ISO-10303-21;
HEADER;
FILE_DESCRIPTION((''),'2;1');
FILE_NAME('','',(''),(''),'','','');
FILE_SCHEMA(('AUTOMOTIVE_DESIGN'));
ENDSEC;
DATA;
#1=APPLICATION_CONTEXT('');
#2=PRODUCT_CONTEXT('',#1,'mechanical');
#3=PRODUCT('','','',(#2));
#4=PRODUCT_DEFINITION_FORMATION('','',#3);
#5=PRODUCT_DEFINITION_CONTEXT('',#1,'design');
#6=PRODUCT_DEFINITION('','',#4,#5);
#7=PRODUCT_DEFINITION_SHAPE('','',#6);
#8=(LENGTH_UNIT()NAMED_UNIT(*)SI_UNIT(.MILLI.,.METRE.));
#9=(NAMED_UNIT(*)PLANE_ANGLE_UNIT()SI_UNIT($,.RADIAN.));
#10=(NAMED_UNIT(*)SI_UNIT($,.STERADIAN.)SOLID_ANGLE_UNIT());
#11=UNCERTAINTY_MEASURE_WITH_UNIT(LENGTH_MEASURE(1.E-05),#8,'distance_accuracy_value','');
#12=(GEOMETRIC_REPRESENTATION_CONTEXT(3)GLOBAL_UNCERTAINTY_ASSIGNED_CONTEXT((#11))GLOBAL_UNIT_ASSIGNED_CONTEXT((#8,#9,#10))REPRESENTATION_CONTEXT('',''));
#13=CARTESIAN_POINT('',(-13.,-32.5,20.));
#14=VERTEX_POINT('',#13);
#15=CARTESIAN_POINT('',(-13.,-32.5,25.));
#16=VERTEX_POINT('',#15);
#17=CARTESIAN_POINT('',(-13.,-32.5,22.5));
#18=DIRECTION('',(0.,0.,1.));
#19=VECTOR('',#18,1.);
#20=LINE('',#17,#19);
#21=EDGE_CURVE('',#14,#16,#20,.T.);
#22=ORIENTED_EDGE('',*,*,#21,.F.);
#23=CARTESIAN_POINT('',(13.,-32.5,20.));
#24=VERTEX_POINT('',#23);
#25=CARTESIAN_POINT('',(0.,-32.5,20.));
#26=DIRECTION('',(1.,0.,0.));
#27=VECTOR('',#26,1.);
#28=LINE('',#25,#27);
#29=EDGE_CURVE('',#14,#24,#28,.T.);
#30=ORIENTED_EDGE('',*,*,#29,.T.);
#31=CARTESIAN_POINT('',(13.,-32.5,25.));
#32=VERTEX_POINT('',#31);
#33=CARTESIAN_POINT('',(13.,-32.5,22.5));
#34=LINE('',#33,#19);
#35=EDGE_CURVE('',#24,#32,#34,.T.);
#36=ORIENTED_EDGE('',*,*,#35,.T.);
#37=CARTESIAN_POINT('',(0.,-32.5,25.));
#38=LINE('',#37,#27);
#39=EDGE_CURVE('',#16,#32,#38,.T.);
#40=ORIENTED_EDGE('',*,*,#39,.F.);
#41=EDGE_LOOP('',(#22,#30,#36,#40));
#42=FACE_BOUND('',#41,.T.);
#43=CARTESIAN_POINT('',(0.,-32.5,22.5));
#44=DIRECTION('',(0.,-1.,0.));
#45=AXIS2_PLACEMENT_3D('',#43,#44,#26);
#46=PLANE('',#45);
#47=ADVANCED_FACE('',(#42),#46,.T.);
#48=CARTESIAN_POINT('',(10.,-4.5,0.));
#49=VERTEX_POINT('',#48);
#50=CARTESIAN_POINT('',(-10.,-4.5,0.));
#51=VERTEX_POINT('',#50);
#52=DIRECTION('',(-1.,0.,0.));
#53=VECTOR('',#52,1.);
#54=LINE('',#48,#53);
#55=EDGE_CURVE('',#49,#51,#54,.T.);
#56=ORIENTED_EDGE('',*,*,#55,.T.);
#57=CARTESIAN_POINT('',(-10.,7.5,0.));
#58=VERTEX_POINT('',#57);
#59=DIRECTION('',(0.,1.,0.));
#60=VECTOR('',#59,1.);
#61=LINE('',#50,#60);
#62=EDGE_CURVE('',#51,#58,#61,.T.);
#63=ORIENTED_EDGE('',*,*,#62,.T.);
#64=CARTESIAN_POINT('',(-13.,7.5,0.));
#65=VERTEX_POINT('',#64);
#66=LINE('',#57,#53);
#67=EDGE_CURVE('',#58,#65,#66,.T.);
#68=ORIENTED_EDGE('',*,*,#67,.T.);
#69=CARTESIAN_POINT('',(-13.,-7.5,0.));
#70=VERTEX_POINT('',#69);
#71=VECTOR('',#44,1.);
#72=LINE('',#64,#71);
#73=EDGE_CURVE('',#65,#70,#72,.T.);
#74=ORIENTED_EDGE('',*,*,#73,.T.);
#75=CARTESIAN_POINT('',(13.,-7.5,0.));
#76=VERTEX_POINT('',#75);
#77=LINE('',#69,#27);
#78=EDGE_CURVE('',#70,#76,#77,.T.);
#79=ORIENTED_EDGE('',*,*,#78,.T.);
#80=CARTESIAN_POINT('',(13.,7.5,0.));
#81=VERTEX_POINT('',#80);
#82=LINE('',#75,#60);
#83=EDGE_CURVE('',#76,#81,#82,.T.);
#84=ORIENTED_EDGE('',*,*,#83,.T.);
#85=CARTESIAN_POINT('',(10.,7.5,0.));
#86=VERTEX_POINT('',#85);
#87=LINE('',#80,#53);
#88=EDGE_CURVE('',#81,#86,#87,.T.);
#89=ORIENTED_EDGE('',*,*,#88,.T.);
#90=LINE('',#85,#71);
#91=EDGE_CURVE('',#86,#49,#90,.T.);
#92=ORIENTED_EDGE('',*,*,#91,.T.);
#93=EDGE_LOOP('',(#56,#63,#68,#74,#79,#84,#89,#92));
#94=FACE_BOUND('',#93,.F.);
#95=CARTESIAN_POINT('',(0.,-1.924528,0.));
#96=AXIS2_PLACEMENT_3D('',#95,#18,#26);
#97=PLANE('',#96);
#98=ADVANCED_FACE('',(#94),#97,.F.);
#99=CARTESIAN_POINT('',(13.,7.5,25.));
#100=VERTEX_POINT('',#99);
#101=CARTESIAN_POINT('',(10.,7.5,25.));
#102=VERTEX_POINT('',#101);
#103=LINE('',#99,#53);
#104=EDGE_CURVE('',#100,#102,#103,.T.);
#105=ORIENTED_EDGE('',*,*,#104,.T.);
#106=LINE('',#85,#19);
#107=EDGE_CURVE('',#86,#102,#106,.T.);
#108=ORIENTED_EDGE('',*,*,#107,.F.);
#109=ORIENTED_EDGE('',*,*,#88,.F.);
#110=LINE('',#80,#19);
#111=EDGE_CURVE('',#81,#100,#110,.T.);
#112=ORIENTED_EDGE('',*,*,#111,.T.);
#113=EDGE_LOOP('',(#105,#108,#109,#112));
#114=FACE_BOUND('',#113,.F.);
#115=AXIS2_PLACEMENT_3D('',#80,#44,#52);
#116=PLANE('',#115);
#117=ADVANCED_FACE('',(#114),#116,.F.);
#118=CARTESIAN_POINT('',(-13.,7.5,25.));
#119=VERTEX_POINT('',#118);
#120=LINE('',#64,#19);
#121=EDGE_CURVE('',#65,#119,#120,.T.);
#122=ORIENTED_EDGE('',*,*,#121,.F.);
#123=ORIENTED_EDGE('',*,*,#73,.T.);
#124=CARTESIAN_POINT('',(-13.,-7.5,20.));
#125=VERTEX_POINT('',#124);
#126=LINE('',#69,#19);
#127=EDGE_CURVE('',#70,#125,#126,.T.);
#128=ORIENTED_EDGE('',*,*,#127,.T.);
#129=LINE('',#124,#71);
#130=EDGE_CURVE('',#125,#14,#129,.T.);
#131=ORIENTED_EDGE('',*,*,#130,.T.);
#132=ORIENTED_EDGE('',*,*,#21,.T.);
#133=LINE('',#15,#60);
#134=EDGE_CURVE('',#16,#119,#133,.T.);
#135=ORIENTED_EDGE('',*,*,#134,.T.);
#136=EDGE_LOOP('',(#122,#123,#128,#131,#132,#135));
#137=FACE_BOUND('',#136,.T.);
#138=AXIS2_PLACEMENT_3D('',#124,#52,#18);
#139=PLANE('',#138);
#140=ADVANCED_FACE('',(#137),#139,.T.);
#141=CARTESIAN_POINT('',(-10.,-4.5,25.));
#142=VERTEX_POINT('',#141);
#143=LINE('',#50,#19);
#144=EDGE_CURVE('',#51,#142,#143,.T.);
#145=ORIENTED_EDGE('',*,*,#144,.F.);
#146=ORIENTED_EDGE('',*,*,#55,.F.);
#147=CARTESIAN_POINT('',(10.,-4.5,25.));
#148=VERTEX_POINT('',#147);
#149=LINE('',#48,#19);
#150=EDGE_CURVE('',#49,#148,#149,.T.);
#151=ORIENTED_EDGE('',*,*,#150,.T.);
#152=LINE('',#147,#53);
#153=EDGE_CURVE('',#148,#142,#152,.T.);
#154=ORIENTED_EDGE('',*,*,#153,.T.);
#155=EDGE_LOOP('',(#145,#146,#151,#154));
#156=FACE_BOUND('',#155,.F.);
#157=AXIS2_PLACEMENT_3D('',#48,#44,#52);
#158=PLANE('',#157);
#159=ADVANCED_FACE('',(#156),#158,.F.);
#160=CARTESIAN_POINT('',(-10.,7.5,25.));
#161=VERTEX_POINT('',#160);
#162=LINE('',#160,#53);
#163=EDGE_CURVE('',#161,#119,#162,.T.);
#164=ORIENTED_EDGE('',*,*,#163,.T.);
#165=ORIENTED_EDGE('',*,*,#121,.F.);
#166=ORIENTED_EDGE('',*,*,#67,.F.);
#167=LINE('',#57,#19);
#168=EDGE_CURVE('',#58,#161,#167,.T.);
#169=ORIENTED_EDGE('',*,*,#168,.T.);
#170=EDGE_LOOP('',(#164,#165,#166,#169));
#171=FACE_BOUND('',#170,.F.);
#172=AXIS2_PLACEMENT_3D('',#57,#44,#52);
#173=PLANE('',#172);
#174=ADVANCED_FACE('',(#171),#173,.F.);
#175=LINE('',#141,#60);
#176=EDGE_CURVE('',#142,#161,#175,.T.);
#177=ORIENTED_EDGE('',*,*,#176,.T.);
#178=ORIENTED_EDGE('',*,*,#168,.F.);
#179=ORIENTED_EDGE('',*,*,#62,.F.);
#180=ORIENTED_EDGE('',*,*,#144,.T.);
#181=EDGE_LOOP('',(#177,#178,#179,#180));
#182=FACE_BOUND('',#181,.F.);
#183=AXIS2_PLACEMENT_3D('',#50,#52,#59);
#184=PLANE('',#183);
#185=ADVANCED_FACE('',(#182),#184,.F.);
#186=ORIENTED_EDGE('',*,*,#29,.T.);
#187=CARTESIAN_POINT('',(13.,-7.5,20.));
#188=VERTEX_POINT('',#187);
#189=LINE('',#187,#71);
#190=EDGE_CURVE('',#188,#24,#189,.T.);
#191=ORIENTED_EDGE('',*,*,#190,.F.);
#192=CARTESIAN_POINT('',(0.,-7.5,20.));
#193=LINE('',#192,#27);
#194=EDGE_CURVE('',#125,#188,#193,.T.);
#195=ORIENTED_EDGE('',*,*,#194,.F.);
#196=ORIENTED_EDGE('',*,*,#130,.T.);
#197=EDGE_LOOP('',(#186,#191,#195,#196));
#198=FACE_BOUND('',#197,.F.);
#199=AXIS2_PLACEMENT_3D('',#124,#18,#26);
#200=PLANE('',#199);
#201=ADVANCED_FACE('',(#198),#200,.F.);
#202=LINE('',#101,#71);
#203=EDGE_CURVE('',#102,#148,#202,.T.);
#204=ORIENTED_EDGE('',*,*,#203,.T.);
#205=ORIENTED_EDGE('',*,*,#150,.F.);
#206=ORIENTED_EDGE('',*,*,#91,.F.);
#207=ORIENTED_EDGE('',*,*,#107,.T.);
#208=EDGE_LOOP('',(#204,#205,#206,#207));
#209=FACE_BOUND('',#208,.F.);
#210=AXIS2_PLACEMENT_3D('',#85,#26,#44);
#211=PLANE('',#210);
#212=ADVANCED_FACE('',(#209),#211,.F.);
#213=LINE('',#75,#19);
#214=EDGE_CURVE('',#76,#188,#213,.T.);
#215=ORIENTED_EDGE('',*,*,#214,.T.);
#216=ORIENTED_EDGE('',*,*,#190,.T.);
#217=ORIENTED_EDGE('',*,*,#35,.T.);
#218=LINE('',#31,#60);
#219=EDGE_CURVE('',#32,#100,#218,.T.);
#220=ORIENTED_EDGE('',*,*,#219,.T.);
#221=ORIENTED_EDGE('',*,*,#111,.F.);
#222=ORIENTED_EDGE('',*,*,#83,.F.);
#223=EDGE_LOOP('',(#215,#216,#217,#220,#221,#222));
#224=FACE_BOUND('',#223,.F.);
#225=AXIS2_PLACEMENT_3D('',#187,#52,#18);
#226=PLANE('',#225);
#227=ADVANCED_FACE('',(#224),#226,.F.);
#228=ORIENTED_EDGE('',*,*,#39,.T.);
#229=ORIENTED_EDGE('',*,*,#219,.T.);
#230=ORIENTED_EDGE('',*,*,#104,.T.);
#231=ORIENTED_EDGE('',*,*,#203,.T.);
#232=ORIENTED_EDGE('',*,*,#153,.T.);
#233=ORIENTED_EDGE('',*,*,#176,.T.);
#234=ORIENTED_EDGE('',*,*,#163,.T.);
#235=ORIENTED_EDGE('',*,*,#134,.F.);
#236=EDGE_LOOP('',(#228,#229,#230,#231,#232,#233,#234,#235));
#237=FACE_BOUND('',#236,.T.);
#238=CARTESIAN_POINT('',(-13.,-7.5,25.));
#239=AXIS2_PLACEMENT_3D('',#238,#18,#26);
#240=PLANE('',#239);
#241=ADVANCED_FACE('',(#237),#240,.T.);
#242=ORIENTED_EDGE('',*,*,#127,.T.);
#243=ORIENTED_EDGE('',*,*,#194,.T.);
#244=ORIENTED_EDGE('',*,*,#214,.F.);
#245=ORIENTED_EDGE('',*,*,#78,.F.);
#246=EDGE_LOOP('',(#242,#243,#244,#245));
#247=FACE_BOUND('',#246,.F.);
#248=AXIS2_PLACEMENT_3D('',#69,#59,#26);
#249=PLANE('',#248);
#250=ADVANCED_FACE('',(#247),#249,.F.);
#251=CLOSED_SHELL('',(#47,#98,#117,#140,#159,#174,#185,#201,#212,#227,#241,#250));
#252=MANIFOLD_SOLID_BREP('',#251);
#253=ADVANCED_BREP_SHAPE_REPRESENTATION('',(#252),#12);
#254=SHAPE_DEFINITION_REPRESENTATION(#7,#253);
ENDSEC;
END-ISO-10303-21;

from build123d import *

# Parameters (mm, degrees)
F1_DEPTH = 25
F2_W     = 26
F2_H     = 5
F3_DEPTH = 25


with BuildPart() as f1:
    # F0 (on Top) → F1 (new body)
    with BuildSketch(Plane.XY):
        Polygon((-10, 7.5), (-13, 7.5), (-13, -7.5), (13, -7.5), (13, 7.5), (10, 7.5), (10, -4.5), (-10, -4.5), align=None)
    extrude(amount=F1_DEPTH)

    # F2 (on face) → F3 (join)
    with BuildSketch(Plane.XZ.offset(7.5)):
        with Locations((0, 22.5)):
            Rectangle(F2_W, F2_H)
    extrude(amount=F3_DEPTH)


solid = f1.part
